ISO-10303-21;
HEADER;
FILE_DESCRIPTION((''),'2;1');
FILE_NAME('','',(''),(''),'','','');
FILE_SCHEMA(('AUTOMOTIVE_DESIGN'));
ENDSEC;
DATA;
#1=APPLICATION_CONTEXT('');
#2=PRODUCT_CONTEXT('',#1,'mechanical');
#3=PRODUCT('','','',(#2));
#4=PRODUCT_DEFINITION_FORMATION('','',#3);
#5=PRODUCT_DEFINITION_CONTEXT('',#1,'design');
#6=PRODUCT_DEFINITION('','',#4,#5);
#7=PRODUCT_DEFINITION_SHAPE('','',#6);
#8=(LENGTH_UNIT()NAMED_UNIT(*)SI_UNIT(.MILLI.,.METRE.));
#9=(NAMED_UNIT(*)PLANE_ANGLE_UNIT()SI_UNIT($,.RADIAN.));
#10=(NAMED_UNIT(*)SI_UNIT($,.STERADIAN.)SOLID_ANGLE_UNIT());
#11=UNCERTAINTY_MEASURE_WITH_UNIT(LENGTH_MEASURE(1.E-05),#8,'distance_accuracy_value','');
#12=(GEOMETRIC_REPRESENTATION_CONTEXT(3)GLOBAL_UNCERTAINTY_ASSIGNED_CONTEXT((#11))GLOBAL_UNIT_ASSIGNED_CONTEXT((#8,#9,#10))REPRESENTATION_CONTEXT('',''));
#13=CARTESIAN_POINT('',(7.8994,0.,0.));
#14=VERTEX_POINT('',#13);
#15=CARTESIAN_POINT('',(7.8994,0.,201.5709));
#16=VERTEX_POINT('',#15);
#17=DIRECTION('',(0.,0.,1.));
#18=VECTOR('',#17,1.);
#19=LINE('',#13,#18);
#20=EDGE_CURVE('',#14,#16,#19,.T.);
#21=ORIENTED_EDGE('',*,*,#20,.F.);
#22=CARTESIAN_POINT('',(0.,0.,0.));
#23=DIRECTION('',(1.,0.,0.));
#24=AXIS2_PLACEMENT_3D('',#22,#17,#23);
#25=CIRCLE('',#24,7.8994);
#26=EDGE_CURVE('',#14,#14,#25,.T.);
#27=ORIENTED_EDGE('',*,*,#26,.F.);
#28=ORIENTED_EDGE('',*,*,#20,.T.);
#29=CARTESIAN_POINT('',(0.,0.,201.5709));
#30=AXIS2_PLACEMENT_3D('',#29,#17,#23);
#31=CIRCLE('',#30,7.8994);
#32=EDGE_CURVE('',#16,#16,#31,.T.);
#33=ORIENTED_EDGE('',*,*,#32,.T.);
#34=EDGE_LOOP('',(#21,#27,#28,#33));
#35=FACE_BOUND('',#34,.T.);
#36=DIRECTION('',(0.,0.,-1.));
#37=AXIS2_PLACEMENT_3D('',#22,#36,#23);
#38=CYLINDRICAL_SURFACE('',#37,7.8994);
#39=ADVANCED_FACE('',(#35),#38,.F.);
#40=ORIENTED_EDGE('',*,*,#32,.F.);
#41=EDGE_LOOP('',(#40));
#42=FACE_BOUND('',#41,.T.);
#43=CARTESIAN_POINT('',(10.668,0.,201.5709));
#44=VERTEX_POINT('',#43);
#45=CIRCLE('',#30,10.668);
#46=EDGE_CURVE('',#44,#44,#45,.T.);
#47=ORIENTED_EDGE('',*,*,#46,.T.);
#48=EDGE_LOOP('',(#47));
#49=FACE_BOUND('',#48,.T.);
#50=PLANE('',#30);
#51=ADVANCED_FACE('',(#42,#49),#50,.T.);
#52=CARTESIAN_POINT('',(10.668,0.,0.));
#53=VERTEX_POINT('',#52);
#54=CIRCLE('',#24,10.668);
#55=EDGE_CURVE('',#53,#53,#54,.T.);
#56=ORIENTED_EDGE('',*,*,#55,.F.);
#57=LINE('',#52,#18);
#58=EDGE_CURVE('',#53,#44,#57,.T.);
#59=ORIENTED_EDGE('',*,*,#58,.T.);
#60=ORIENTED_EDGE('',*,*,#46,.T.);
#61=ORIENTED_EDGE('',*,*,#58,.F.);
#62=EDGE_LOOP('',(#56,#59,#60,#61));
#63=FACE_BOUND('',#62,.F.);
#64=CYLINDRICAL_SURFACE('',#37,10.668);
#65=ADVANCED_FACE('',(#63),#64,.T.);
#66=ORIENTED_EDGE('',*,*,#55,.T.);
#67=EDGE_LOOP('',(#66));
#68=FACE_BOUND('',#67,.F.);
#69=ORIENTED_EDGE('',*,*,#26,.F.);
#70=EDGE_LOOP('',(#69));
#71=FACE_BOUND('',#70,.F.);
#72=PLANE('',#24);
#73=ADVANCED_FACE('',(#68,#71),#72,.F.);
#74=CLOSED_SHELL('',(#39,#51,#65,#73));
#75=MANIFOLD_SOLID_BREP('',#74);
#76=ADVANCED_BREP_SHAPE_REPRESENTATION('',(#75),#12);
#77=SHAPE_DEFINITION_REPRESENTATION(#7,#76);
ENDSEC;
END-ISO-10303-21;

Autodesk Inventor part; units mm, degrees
ref_plane "YZ Plane" through (0, 0, 0) normal (1, 0, 0) x (0, 1, 0)
ref_plane "Start Plane" through (0, 0, 0) normal (0, 0, 1) x (1, 0, 0)
ref_plane "End Plane" through (0, 0, 201.5709) normal (0, 0, 1) x (1, 0, 0)
sketch "Sketch" plane through (0, 0, 0) normal (0, 0, 1) x (1, 0, 0)
  circle A0 centre (0, 0) radius 7.8994
  circle A1 centre (0, 0) radius 10.668
  dimension "d0" = 21.336
  dimension "d1" = 2.7686
extrude "Body" add sketch "Sketch" along normal up to surface (201.5709 mm away) from surface at 0
sketch "Sketch3" plane through (0, 0, 0) normal (0, 0, 1) x (1, 0, 0)
  line L0 (0, 0) -> (10, 0)
ref_plane "Work Plane3" through (0, 0, 0) normal (0, -1, 0) x (1, 0, 0)
sketch "Sketch4" plane through (0, 0, 0) normal (0, -1, 0) x (1, 0, 0)
  line L0 (-2, 0) -> (12, 0) projected
  line L1 (-2, 201.5709) -> (12, 201.5709) projected
  dimension "d7" = 201.5709
equation "\"d0\" = G_H"
equation "\"d1\" = G_T"
equation "\"d2\" = G_L"
equation "\"G_H\" = 21.336"
equation "\"G_T\" = 2.7686"
equation "\"G_L\" = d7"
equation "\"G_OFFSET_START\" = 0"
equation "\"G_OFFSET_END\" = 0"
equation "\"d5\" = G_OFFSET_END + B_L"
equation "\"B_L\" = 201.57093"
properties part number "ANSI - 1/2 x 0.109 - 7.936" material "Steel, Mild"
